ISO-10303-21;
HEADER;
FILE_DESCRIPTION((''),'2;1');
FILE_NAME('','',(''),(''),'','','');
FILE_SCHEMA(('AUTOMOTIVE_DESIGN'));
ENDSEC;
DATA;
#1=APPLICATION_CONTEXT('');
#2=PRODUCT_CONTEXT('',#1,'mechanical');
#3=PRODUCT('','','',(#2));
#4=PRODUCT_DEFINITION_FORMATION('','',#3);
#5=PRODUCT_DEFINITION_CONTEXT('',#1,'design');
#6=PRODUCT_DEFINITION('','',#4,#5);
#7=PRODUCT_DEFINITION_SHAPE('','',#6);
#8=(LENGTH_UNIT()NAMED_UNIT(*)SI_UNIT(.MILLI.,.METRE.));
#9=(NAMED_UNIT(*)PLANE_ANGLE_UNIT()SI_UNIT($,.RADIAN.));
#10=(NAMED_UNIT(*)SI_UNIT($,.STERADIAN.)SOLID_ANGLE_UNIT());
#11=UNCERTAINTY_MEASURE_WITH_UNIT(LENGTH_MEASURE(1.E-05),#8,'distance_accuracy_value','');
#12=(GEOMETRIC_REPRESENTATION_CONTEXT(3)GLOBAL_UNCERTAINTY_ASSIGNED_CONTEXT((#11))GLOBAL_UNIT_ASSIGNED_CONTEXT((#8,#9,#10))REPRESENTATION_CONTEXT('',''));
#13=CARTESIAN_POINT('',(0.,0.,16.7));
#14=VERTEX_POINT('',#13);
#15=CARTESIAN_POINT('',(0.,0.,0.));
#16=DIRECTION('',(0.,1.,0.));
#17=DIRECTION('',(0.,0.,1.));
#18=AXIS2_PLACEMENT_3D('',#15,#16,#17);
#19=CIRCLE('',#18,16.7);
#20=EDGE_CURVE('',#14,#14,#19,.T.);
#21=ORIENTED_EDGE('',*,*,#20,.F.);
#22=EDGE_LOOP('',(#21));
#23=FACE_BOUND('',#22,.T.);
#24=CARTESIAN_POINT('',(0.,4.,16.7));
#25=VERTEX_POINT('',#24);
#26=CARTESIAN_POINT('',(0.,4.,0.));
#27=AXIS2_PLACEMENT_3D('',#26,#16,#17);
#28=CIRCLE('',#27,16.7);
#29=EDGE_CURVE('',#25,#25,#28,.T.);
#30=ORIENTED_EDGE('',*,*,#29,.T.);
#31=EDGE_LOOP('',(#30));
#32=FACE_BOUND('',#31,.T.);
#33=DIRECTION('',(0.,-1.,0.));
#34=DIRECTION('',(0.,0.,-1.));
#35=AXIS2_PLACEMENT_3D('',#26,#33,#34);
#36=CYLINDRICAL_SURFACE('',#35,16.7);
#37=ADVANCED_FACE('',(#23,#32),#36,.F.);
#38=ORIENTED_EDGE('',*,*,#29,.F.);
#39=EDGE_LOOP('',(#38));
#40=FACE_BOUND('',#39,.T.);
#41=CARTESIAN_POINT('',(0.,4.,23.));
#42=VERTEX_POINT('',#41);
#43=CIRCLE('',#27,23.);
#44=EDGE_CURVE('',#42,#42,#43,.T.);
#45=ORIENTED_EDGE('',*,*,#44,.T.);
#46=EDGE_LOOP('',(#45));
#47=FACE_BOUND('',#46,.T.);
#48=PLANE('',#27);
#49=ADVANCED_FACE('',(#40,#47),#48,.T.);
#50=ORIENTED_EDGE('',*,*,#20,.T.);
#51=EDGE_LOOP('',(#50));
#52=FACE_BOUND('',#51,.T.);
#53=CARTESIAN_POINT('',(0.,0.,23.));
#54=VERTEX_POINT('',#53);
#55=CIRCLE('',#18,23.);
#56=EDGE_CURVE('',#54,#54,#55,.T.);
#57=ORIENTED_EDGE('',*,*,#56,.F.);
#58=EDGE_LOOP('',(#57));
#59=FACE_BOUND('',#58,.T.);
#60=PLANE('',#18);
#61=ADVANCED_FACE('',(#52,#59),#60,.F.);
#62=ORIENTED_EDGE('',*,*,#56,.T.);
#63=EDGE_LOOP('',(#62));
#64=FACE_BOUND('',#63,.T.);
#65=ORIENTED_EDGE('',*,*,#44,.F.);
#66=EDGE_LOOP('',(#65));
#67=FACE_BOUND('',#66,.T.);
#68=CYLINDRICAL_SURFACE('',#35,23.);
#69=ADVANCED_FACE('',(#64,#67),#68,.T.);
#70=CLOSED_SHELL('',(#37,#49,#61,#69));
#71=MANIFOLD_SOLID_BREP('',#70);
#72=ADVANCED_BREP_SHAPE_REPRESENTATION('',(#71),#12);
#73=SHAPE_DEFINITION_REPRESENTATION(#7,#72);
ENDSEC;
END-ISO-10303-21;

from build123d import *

# Parameters (mm, degrees)
SKETCH_1_R      = 23
SKETCH_1_R_2    = 16.7
EXTRUDE_1_DEPTH = 4


with BuildPart() as part:
    # Эскиз1 → Бобышка-Вытянуть1 (new body)
    with BuildSketch(Plane(origin=(0, 0, 0), x_dir=(1, 0, 0), z_dir=(0, 1, 0))):
        with Locations(Location((0, 0, 0), (0, 0, 270))):
            Circle(SKETCH_1_R)
        with Locations(Location((0, 0, 0), (0, 0, 270))):
            Circle(SKETCH_1_R_2, mode=Mode.SUBTRACT)
    extrude(amount=EXTRUDE_1_DEPTH)


solid = part.part
